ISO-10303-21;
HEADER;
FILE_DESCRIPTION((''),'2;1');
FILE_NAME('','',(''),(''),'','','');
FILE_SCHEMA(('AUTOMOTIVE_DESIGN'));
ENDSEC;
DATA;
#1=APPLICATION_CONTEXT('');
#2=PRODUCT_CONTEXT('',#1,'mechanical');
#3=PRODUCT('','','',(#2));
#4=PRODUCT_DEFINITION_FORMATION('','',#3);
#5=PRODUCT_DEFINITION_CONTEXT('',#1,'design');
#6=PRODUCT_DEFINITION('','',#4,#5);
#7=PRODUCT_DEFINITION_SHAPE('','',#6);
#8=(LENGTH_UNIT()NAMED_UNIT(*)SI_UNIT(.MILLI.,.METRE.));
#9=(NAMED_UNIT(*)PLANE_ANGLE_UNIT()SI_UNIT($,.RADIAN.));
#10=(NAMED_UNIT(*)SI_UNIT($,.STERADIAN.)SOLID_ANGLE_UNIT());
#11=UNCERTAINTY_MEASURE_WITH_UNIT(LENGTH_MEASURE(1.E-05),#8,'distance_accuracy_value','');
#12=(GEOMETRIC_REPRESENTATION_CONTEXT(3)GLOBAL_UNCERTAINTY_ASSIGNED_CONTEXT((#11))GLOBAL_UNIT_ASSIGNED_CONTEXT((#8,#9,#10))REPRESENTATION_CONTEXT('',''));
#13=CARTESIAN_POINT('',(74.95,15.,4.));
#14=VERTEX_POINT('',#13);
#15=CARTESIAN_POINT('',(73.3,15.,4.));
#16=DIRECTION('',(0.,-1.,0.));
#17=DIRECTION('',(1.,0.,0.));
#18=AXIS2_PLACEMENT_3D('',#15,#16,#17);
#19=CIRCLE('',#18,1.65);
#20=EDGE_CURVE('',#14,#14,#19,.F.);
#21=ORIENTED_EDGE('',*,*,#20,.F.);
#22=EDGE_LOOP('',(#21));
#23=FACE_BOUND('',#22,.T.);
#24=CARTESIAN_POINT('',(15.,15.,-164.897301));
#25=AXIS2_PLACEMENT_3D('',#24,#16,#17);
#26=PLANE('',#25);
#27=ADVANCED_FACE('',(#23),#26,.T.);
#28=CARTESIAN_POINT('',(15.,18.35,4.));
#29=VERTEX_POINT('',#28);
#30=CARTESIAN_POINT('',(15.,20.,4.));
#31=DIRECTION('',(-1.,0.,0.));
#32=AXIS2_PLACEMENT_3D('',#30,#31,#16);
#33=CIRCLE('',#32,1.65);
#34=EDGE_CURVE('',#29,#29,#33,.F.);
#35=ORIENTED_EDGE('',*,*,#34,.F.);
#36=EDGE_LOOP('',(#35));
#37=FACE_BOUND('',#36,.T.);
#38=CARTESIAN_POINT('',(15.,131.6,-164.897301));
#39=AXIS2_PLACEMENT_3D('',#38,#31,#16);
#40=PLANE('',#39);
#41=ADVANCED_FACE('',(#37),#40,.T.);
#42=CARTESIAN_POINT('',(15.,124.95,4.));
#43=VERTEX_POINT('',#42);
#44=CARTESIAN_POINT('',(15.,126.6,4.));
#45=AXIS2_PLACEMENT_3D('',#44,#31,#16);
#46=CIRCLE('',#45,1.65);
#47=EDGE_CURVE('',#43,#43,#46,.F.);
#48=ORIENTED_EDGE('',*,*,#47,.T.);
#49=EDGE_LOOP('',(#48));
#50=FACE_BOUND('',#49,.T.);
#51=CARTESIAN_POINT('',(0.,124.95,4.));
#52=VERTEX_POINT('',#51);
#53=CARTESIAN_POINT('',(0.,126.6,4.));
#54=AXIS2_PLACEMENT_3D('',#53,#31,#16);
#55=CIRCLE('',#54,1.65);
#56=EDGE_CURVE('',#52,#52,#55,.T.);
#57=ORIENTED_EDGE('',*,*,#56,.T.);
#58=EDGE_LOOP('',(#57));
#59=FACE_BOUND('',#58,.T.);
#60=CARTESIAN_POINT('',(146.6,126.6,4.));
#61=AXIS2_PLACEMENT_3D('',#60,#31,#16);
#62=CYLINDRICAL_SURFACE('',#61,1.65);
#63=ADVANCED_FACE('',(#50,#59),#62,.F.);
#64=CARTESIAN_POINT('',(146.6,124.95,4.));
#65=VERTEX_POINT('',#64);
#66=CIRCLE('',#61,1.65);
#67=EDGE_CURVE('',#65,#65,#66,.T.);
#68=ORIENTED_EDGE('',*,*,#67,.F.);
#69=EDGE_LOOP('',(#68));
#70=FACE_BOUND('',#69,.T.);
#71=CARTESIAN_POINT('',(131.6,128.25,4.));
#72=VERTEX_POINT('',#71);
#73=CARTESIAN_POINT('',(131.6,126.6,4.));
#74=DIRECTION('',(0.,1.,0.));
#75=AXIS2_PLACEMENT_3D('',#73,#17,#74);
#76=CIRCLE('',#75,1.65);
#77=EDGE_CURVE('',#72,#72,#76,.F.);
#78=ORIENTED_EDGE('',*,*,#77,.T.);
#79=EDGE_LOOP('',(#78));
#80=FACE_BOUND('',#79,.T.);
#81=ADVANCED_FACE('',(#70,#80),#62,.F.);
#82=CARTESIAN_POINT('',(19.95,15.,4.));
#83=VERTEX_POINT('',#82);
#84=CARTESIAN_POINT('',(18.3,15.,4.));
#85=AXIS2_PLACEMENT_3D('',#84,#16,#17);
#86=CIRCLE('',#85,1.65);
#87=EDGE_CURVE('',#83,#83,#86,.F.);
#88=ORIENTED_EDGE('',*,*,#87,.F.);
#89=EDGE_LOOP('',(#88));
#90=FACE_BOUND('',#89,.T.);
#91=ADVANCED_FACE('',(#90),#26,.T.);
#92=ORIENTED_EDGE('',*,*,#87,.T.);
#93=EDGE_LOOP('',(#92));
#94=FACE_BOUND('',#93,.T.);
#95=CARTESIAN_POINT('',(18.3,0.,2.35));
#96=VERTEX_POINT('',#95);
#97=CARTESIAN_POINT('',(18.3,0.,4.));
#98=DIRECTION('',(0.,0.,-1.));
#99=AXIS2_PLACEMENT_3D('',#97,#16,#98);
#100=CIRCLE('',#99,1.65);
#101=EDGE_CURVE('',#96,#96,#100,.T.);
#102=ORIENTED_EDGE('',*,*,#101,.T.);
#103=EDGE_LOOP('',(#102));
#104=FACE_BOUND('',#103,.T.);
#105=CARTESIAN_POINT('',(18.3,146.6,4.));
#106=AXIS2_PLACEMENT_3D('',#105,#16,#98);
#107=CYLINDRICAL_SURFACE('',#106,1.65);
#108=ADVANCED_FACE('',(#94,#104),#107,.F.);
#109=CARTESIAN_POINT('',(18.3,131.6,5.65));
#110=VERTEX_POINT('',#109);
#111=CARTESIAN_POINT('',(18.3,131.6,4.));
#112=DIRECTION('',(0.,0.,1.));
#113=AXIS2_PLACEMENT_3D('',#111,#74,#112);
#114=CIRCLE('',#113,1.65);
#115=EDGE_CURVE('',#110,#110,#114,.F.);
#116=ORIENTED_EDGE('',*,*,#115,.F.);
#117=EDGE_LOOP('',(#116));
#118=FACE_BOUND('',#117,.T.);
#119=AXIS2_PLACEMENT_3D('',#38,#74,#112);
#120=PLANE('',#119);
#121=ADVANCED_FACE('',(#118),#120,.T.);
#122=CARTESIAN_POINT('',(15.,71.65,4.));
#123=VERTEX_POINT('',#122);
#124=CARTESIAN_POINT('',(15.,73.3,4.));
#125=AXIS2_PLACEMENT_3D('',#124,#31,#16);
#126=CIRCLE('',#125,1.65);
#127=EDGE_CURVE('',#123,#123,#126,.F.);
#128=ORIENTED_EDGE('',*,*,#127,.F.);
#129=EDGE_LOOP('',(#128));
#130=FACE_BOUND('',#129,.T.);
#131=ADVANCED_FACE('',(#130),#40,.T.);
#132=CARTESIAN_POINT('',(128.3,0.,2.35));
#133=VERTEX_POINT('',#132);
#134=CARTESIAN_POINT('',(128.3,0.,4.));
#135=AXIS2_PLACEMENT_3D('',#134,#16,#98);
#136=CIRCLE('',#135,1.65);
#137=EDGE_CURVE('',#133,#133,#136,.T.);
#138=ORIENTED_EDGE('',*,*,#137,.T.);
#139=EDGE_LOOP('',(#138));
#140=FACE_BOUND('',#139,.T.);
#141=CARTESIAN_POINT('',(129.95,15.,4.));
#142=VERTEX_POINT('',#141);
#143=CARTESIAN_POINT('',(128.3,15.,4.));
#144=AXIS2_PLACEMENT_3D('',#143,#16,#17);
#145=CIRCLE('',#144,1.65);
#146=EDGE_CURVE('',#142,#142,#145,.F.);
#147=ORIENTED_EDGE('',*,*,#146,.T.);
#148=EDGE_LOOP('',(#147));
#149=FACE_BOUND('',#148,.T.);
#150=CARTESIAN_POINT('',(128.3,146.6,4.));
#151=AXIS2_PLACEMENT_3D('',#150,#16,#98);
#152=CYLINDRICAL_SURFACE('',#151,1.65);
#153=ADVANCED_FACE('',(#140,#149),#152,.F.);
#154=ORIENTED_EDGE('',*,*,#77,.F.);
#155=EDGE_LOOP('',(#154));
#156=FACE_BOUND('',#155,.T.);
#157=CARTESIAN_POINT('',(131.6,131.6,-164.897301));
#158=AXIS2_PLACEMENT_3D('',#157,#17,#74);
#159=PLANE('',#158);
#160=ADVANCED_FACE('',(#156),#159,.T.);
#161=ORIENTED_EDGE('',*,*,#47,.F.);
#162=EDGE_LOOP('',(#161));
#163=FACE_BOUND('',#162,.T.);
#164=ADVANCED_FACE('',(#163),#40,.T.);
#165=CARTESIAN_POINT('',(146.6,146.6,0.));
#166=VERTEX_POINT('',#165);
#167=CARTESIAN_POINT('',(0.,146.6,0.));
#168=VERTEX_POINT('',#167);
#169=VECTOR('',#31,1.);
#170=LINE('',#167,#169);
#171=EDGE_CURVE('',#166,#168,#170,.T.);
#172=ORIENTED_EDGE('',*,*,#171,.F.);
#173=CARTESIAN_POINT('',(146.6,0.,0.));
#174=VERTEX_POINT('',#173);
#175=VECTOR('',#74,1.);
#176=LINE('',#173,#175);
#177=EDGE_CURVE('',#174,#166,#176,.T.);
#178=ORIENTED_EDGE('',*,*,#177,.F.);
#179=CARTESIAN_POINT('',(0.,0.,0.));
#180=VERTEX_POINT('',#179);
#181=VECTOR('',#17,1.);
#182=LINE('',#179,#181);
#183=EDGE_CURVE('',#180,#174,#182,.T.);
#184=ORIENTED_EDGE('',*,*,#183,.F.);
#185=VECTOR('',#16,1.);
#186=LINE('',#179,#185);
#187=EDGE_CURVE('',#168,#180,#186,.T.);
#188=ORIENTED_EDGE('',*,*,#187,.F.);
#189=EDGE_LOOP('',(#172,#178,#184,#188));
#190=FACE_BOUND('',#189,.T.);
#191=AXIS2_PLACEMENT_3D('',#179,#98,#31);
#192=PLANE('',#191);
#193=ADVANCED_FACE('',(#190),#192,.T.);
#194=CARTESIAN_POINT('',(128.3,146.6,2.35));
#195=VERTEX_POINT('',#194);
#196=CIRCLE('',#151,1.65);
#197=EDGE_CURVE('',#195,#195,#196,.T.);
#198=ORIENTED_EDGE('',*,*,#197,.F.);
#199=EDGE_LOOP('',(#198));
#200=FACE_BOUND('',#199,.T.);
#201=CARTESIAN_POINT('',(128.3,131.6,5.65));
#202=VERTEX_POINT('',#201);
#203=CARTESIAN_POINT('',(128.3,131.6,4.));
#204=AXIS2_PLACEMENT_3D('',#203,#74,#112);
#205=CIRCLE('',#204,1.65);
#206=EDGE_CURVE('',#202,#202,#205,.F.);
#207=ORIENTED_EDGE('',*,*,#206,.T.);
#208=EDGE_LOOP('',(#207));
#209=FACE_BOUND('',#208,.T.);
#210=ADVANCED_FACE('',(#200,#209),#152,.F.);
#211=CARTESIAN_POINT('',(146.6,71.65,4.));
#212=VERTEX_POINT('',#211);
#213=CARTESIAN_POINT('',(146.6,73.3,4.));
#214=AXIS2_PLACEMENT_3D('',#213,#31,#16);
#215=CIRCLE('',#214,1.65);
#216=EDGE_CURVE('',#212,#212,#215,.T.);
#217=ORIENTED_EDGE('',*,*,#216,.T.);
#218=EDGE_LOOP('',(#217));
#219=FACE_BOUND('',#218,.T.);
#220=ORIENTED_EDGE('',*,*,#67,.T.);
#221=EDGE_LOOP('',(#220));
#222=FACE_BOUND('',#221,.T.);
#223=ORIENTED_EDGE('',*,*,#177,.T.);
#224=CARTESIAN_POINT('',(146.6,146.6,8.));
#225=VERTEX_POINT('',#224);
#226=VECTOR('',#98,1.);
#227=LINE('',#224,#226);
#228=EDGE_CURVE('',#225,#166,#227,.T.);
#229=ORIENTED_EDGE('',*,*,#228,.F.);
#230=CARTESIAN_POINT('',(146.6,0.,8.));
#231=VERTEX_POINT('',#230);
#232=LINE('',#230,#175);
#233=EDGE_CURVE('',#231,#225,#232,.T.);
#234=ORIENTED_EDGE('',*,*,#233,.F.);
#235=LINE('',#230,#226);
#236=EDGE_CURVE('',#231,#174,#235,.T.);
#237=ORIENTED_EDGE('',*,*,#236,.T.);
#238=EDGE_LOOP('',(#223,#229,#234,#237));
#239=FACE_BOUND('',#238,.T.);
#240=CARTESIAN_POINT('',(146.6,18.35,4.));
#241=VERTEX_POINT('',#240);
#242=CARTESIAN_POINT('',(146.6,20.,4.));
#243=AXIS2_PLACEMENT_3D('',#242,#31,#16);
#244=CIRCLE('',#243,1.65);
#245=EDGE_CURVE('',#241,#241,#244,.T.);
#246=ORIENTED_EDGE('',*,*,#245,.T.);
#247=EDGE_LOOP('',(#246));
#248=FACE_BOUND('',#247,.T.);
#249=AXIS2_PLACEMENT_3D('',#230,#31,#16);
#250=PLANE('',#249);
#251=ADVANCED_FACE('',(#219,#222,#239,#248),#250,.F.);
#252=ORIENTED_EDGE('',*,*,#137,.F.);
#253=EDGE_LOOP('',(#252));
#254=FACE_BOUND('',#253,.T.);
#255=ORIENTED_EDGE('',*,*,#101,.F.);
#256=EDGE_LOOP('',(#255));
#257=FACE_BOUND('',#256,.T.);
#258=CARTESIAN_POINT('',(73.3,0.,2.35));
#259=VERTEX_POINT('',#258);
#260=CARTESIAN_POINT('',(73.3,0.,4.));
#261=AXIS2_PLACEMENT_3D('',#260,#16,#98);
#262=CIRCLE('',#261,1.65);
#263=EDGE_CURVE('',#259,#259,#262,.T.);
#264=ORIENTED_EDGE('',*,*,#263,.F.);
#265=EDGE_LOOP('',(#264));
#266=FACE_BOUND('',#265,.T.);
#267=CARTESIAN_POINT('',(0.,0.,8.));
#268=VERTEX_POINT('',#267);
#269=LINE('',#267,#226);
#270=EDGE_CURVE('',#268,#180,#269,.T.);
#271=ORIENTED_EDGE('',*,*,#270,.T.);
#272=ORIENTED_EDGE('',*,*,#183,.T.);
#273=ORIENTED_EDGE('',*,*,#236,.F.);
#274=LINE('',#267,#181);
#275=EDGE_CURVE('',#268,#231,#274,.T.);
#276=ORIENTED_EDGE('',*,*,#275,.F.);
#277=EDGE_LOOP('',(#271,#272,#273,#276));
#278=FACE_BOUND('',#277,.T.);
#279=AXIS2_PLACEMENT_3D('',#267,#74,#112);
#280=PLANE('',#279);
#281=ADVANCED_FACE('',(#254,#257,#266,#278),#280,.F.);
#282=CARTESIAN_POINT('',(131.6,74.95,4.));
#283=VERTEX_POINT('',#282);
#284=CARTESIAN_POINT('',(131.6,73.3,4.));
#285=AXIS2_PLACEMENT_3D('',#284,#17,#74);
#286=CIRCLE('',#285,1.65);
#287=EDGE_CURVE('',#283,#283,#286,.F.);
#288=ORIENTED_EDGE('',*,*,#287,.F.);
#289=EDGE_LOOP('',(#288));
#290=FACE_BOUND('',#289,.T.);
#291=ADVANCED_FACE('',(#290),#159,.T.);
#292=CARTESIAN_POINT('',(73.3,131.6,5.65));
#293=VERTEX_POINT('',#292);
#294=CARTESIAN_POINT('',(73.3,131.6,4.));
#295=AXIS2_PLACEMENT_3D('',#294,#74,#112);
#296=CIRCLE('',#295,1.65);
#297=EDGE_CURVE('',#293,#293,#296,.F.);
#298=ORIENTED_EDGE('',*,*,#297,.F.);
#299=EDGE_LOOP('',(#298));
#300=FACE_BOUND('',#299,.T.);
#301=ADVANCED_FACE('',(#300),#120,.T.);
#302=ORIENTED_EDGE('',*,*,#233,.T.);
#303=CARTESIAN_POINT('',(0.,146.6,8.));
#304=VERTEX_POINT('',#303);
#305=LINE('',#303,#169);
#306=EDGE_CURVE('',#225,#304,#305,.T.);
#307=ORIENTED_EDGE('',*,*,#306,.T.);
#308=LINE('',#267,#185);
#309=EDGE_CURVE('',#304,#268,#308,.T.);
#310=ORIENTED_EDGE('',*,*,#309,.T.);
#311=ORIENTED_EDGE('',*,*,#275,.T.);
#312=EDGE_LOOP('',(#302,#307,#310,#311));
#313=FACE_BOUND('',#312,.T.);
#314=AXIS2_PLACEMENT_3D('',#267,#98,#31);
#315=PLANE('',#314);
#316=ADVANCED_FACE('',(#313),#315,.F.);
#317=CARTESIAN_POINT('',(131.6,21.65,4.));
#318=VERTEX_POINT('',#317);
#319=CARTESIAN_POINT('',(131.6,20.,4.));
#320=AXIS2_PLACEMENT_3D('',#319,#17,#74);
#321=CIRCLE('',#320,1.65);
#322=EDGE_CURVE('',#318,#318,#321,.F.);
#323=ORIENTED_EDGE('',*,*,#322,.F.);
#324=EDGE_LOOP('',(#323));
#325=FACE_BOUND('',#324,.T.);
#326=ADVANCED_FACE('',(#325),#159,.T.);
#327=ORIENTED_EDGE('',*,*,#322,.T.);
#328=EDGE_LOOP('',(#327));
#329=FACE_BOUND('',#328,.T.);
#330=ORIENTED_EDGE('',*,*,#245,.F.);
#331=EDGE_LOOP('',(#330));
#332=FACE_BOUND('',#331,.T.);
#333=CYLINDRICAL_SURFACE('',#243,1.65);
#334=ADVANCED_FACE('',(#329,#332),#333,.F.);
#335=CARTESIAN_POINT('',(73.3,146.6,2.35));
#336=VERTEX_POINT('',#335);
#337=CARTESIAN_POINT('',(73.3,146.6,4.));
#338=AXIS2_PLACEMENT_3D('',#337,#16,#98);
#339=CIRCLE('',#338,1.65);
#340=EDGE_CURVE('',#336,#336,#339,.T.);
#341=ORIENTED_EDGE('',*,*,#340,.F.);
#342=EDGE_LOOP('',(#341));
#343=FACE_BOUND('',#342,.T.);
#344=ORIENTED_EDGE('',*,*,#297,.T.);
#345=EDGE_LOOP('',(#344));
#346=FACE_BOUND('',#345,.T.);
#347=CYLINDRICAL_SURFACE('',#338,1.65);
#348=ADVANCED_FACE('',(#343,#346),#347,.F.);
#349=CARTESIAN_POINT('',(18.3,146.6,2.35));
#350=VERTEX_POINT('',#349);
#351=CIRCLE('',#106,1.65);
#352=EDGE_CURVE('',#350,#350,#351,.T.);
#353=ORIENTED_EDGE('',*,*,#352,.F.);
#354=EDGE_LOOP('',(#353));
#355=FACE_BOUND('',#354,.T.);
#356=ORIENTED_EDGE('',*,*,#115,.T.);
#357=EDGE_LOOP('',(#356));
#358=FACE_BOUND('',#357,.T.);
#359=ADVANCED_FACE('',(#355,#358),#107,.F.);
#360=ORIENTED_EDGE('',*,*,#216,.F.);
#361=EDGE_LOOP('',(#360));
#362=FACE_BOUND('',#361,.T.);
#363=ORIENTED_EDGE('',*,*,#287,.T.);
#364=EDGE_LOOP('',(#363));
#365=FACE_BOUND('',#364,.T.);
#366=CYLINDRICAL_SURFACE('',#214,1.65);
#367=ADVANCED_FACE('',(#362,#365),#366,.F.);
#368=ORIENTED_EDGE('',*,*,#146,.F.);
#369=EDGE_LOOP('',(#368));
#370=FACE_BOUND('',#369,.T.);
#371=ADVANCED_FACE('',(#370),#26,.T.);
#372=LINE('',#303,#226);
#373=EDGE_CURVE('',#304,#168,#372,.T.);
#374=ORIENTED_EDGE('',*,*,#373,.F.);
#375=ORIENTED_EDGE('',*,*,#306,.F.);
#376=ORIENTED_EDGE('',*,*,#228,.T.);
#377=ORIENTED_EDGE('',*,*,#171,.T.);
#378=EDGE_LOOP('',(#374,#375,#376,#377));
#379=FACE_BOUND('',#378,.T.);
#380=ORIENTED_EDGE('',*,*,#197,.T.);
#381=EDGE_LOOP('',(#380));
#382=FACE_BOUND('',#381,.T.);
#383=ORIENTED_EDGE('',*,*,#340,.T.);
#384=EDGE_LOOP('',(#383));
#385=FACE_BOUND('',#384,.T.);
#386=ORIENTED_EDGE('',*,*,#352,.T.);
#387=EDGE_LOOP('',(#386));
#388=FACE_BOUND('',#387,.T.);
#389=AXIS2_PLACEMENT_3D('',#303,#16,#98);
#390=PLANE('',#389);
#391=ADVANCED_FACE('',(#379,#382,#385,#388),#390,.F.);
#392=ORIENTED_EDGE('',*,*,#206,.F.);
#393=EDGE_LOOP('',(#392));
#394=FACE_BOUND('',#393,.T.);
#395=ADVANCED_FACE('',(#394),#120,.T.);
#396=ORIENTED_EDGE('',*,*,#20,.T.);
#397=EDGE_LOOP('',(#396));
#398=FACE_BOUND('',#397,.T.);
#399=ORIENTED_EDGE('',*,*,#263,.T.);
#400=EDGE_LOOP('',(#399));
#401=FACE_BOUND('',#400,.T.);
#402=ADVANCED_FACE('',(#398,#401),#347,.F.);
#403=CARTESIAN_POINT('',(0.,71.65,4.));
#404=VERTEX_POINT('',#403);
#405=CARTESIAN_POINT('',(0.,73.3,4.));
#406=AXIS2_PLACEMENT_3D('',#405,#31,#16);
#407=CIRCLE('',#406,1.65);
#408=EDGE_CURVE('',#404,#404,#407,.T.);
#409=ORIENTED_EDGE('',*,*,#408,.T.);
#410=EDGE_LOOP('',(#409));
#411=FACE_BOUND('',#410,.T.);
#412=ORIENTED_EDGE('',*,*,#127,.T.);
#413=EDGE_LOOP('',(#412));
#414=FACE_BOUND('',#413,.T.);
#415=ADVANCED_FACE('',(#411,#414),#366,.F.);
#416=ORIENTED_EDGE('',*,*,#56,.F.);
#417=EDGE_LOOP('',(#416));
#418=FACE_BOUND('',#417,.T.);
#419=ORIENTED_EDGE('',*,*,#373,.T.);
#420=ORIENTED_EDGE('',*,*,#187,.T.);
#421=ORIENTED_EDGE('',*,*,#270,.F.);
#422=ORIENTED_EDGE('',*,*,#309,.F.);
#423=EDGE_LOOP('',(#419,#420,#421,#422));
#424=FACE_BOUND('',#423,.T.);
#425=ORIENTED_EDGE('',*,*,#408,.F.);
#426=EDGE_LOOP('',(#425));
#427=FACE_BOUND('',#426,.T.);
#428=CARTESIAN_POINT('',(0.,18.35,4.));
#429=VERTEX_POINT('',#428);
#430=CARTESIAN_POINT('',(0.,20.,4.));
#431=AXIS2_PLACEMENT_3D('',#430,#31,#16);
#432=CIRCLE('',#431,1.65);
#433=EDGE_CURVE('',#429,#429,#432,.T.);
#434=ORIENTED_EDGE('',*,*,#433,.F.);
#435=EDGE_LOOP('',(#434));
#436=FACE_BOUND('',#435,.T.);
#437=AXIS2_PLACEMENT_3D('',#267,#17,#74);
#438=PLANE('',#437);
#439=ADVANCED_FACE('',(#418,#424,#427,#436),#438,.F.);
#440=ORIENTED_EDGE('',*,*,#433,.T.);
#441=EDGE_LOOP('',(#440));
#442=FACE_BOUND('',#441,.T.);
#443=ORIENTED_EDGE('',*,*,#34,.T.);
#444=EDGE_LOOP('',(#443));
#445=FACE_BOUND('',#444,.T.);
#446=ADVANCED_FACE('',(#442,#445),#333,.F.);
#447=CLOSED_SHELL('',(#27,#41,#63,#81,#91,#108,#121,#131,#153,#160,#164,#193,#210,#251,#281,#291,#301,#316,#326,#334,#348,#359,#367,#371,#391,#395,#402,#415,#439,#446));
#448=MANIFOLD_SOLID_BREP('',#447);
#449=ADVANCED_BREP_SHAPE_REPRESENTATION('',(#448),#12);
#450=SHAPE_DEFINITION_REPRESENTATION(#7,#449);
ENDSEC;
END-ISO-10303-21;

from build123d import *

# Parameters (mm, degrees)
SKETCH_1_W          = 146.6
SKETCH_1_H          = 146.6
EXTRUDE_1_DEPTH     = 8
SKETCH_2_R          = 1.65
CUT_EXTRUDE_1_DEPTH = 208.477998834
SKETCH_3_R          = 1.65
CUT_EXTRUDE_2_DEPTH = 208.477998834
EXTRUDE_2_REACH     = 209.478
SKETCH_4_W          = 116.6
SKETCH_4_H          = 116.6


with BuildPart() as part:
    # Эскиз1 → Бобышка-Вытянуть1 (new body)
    with BuildSketch(Plane.XY):
        with Locations((73.3, 73.3)):
            Rectangle(SKETCH_1_W, SKETCH_1_H)
    extrude(amount=EXTRUDE_1_DEPTH)

    # Эскиз2 → Вырез-Вытянуть1 (cut, through all)
    with BuildSketch(Plane.XZ):
        with Locations(Location((18.3, 4, 0), (0, 0, 270))):
            Circle(SKETCH_2_R)
        with Locations(Location((73.3, 4, 0), (0, 0, 270))):
            Circle(SKETCH_2_R)
        with Locations(Location((128.3, 4, 0), (0, 0, 270))):
            Circle(SKETCH_2_R)
    extrude(amount=-CUT_EXTRUDE_1_DEPTH, mode=Mode.SUBTRACT)

    # Эскиз3 → Вырез-Вытянуть2 (cut, through all)
    with BuildSketch(Plane.ZY):
        with Locations(Location((4, 20, 0), (0, 0, 270))):
            Circle(SKETCH_3_R)
        with Locations(Location((4, 73.3, 0), (0, 0, 270))):
            Circle(SKETCH_3_R)
        with Locations(Location((4, 126.6, 0), (0, 0, 270))):
            Circle(SKETCH_3_R)
    extrude(amount=-CUT_EXTRUDE_2_DEPTH, mode=Mode.SUBTRACT)

    # Бобышка-Вытянуть2: up to this face of the body (flat: up to its plane)
    extrude_2_end = Plane(part.part.faces().sort_by_distance((73.3, 73.3, 0))[0])
    # Эскиз4 → Бобышка-Вытянуть2 (add, up to the picked face)
    with BuildSketch(Plane.XY.offset(8), mode=Mode.PRIVATE) as extrude_2_sk1:
        with Locations((73.3, 73.3)):
            Rectangle(SKETCH_4_W, SKETCH_4_H)
    extrude_2_tool1 = split(extrude(extrude_2_sk1.sketch, amount=-EXTRUDE_2_REACH, mode=Mode.PRIVATE), bisect_by=extrude_2_end, keep=Keep.BOTH, mode=Mode.PRIVATE)
    add(extrude_2_tool1.solids().sort_by(Axis((73.3, 73.3, 8), (0, 0, -1)))[0])


solid = part.part
